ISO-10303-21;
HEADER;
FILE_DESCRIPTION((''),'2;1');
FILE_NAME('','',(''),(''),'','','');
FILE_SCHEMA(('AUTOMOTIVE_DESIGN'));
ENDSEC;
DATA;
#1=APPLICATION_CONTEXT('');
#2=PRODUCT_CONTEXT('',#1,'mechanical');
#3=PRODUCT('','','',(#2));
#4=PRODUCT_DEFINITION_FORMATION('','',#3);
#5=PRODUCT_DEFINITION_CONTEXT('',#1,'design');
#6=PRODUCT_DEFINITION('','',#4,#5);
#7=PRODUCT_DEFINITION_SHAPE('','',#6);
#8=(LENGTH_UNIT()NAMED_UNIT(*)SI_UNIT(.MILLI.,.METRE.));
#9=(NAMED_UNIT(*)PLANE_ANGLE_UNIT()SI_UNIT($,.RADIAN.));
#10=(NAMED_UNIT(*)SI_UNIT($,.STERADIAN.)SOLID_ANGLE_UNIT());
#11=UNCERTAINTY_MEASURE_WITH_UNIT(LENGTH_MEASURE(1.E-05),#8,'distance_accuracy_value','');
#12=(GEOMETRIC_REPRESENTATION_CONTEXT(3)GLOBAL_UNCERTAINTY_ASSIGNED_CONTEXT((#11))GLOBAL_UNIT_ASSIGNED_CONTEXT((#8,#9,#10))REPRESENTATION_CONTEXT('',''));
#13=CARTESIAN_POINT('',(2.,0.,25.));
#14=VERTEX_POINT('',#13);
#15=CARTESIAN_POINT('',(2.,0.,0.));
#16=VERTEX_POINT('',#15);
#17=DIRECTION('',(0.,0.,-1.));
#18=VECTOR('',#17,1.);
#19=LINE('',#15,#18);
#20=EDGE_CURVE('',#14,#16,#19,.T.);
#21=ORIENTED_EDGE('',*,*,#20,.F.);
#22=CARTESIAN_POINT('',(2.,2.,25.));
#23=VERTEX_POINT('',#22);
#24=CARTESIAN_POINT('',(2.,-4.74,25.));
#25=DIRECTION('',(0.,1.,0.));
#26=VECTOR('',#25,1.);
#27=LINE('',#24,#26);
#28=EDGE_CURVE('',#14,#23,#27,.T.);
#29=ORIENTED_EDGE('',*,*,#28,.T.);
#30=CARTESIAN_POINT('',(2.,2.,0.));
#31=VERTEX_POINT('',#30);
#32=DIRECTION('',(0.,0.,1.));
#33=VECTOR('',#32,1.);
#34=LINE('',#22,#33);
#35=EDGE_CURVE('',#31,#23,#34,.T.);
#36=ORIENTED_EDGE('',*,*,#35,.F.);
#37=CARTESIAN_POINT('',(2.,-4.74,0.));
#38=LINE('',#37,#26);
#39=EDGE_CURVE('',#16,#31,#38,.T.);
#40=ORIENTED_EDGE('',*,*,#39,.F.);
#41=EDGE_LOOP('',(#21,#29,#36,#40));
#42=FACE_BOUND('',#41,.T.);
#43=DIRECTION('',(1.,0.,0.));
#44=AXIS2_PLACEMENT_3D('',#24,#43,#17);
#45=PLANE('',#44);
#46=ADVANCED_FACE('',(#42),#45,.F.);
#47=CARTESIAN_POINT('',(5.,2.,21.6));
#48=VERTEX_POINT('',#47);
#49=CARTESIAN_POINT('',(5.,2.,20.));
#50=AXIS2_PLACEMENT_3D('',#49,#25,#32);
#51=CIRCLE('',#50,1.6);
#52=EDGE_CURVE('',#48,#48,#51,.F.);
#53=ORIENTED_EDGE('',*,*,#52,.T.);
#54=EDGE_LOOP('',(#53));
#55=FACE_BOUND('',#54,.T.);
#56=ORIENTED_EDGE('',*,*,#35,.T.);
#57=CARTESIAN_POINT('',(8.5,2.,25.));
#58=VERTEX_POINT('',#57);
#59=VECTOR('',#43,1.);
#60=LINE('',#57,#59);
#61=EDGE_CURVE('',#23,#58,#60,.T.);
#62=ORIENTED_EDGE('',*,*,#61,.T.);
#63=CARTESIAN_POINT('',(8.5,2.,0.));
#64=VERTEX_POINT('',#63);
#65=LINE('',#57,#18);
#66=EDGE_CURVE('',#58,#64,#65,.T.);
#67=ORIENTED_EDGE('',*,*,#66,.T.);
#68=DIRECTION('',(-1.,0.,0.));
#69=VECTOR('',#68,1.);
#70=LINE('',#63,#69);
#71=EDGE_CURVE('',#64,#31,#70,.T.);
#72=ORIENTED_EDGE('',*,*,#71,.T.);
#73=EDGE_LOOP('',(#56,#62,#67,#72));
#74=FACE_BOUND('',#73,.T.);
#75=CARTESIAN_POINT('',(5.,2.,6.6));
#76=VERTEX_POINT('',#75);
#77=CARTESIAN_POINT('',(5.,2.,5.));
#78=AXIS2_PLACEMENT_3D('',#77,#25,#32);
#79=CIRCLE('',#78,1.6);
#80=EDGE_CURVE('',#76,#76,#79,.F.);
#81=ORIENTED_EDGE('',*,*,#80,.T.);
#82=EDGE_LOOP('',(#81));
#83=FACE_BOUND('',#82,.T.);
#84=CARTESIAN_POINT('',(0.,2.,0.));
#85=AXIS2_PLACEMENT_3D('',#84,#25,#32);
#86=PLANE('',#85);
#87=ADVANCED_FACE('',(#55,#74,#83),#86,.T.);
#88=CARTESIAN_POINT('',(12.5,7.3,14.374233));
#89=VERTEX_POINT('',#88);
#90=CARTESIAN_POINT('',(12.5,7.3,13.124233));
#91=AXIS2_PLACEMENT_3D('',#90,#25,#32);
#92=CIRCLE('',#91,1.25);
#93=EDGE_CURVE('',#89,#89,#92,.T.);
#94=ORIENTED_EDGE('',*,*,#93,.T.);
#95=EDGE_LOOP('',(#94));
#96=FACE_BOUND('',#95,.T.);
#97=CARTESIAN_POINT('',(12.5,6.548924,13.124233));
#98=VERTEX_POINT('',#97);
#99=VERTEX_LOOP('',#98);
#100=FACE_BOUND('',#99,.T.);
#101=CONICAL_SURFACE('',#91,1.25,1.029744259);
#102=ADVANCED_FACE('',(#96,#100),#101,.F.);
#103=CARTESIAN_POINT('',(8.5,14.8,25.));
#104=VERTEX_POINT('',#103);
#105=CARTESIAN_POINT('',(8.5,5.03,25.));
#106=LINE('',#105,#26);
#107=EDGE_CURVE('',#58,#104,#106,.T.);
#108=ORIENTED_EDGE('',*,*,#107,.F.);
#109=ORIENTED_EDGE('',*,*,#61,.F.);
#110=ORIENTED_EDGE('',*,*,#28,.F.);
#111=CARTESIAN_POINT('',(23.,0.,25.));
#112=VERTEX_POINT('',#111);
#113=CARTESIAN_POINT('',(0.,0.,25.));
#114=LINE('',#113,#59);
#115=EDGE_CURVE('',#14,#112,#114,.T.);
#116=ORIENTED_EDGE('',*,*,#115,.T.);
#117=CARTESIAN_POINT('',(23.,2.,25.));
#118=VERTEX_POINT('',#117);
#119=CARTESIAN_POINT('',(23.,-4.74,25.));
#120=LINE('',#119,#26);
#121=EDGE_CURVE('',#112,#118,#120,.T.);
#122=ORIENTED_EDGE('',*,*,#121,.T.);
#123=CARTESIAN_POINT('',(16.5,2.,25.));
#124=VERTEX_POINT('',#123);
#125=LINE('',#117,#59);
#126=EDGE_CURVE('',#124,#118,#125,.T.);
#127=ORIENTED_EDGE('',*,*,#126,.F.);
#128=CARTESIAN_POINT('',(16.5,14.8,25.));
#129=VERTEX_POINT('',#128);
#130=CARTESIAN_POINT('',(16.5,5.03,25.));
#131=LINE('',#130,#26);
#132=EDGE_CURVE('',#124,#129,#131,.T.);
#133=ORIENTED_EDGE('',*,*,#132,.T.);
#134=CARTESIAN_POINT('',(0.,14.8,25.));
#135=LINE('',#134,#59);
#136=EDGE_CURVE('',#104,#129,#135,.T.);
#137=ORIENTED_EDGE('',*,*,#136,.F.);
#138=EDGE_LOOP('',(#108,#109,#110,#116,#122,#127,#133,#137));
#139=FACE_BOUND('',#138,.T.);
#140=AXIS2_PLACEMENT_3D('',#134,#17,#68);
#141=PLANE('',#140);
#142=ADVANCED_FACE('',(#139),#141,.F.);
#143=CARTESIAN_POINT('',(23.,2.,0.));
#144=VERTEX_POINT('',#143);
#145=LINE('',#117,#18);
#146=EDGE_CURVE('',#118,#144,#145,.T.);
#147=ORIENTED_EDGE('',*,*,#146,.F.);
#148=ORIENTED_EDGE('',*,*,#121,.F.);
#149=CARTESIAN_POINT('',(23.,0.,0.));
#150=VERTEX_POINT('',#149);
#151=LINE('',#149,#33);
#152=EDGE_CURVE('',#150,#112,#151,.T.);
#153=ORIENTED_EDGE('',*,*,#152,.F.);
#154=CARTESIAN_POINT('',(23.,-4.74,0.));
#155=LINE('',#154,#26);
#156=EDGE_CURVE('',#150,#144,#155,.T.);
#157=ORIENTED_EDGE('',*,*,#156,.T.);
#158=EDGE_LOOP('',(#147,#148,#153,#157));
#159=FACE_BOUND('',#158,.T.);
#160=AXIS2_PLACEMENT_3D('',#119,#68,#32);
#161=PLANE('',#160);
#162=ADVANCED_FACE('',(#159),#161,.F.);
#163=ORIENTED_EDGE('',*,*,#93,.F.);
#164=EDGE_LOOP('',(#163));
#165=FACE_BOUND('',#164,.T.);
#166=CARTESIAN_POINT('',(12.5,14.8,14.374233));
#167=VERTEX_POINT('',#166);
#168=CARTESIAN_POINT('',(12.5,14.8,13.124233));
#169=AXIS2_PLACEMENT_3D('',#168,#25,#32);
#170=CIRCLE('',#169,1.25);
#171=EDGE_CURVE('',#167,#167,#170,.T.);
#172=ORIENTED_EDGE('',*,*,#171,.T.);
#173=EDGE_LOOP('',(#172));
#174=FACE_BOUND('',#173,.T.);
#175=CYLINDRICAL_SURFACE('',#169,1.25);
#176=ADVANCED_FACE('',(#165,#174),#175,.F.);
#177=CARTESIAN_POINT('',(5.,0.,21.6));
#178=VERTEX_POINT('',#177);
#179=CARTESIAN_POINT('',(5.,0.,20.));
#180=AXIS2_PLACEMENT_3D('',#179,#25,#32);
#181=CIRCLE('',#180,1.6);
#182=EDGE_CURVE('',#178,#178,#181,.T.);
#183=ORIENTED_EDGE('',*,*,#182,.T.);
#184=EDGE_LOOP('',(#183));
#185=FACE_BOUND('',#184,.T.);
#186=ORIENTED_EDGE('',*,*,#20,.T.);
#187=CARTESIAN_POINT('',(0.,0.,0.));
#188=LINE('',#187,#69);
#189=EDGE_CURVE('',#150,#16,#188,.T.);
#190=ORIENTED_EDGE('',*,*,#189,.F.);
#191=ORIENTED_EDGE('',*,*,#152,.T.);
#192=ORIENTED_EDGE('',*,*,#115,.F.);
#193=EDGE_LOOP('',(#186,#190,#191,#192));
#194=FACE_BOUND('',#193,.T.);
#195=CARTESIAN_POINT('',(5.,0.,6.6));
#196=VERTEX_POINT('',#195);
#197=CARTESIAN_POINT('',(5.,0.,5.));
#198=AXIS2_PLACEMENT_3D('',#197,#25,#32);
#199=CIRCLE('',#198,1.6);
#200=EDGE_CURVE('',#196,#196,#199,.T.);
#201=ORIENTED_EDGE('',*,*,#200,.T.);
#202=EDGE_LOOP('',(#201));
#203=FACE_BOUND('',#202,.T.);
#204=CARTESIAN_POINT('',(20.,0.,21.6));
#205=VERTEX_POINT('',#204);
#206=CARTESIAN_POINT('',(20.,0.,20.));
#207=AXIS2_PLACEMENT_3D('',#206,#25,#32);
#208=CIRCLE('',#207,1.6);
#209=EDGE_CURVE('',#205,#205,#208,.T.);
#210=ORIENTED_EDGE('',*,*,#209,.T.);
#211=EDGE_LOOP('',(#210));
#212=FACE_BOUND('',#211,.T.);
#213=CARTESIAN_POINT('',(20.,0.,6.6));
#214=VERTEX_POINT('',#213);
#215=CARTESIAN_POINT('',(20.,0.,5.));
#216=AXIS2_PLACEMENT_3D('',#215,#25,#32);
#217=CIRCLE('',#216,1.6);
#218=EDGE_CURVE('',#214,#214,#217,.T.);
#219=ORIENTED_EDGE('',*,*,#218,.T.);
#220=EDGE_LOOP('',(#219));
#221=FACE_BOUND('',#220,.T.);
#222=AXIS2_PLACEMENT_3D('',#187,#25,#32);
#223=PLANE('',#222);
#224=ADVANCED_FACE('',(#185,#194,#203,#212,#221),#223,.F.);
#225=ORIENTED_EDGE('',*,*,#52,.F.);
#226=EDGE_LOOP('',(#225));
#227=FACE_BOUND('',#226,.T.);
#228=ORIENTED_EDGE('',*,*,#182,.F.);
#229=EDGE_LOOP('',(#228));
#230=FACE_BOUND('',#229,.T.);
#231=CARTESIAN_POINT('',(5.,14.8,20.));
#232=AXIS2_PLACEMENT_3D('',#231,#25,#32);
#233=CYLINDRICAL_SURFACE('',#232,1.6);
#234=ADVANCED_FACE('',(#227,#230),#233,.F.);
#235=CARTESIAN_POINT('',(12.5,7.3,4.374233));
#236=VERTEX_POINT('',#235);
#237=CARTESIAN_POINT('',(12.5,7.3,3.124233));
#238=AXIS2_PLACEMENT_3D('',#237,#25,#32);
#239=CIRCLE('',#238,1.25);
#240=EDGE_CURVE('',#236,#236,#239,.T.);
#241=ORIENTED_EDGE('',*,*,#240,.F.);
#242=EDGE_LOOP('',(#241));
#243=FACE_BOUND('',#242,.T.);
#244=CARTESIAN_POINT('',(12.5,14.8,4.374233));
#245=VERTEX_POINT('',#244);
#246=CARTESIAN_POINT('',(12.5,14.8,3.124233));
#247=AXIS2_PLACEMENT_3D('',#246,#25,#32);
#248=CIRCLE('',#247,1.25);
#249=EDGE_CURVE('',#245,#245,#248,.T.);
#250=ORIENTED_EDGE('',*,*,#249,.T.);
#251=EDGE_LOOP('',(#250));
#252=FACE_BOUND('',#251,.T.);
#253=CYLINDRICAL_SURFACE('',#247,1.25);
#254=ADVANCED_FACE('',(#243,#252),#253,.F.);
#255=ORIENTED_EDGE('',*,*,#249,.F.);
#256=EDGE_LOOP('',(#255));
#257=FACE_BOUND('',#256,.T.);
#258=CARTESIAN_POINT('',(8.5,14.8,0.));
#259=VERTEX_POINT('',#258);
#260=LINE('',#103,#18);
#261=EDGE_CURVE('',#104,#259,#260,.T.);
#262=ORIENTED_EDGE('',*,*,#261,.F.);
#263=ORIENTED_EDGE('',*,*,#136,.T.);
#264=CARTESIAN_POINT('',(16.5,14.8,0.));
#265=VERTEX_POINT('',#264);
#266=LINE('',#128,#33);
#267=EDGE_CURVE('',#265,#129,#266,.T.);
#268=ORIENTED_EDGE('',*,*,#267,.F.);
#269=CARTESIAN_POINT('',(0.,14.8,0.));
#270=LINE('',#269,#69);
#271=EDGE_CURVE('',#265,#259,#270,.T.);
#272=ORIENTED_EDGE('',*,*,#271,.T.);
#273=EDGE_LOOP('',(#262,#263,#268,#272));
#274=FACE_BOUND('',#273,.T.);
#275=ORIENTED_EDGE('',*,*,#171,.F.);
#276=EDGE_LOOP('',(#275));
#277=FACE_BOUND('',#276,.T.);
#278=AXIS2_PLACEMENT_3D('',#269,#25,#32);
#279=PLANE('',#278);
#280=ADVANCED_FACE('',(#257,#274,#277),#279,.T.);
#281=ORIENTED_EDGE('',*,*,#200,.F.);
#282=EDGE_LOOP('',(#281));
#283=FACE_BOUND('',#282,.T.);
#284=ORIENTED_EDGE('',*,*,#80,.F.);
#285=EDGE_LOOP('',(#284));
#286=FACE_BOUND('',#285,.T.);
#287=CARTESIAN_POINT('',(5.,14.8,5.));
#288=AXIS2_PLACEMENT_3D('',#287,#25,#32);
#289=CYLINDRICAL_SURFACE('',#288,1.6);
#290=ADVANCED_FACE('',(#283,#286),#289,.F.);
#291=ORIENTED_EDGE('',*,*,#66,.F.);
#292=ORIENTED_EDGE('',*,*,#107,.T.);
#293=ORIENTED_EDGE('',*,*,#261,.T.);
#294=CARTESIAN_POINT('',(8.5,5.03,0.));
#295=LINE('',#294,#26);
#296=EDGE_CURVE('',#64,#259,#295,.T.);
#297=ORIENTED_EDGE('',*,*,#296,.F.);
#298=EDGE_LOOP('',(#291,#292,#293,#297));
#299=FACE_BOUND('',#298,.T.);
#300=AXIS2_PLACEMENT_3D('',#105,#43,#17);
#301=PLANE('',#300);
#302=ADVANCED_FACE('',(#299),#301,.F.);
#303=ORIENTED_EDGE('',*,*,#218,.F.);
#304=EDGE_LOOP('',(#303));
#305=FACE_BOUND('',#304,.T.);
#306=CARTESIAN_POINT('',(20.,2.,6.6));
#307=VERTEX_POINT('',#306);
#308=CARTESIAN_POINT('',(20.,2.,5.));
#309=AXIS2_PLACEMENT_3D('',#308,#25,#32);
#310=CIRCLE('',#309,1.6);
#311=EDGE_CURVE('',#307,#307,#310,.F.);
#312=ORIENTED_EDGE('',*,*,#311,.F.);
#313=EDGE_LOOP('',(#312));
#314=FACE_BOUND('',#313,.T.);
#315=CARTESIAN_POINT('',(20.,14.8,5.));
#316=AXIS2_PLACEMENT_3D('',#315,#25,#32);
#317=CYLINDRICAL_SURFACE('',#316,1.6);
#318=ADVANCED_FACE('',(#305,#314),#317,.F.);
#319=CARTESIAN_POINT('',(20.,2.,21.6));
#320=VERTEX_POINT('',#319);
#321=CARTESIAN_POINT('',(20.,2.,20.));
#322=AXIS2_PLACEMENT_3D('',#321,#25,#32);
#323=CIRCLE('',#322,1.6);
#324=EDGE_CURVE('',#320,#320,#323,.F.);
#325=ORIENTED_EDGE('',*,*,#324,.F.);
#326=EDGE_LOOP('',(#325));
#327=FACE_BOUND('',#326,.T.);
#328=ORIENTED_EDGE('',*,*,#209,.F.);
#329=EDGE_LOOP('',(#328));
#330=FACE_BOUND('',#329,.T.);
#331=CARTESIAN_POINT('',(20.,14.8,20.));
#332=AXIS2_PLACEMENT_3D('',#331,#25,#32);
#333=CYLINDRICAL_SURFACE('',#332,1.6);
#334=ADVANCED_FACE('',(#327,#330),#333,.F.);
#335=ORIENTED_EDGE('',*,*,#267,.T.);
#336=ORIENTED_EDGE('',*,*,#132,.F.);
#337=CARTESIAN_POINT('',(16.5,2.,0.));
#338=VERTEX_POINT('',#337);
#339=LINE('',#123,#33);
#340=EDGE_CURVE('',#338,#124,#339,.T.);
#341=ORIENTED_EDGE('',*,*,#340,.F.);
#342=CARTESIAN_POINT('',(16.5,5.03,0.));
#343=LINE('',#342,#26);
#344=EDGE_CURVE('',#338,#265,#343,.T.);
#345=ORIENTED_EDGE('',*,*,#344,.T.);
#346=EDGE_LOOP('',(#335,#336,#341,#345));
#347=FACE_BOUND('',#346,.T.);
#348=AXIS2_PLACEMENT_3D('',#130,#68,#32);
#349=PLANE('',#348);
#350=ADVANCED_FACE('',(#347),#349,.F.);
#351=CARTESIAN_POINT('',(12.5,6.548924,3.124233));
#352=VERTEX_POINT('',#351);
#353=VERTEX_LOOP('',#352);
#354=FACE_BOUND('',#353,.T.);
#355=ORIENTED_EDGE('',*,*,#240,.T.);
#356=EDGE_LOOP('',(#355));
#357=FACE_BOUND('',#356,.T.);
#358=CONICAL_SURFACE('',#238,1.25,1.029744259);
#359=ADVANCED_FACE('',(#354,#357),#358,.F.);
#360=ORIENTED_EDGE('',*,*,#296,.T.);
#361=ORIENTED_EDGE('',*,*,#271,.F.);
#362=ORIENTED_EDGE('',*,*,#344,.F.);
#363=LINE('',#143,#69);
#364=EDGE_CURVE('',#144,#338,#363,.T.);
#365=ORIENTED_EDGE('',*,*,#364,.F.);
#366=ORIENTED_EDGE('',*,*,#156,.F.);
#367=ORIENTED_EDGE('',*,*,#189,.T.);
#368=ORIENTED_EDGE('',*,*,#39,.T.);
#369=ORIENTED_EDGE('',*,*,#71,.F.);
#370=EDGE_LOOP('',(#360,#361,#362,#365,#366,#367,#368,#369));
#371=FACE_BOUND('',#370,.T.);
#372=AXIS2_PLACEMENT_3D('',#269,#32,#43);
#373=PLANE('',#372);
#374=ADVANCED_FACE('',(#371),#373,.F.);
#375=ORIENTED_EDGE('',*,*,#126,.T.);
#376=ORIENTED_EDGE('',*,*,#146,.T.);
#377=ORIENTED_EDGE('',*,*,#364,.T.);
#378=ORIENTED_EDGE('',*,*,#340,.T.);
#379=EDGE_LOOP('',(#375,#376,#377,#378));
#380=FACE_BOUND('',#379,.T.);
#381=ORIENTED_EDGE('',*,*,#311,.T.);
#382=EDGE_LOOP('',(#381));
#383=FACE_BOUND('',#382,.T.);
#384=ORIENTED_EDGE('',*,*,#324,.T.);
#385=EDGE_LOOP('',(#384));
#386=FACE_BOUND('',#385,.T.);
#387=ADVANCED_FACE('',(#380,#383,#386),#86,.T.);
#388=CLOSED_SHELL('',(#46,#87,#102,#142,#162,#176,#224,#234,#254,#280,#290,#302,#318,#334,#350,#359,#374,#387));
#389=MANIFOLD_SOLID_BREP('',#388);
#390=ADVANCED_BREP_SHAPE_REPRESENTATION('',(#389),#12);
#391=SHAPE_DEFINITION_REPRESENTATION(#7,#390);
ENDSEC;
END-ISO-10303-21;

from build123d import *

# Parameters (mm, degrees)
SKETCH1_W                 = 25
SKETCH1_H                 = 25
BOSS_EXTRUDE1_DEPTH       = 14.8
M3_CLEARANCE_HOLE1_D      = 3.2
M3X0_5_TAPPED_HOLE2_D     = 2.5
M3X0_5_TAPPED_HOLE2_DEPTH = 7.5
M3X0_5_TAPPED_HOLE2_TIP   = 0.751075774
SKETCH8_W                 = 8.5
SKETCH8_H                 = 25
CUT_EXTRUDE1_DEPTH        = 9.77
SKETCH9_W                 = 8.5
SKETCH9_H                 = 25
CUT_EXTRUDE2_DEPTH        = 9.77
SKETCH10_W                = 2
SKETCH10_H                = 25
CUT_EXTRUDE3_DEPTH        = 9.77
SKETCH11_W                = 2
SKETCH11_H                = 25
CUT_EXTRUDE4_DEPTH        = 9.77
SKETCH16_W                = 6.5
SKETCH16_H                = 25
CUT_EXTRUDE6_DEPTH        = 3.03
SKETCH17_W                = 6.5
SKETCH17_H                = 25
CUT_EXTRUDE7_DEPTH        = 3.03


with BuildPart() as part:
    # Sketch1 → Boss-Extrude1 (new body)
    with BuildSketch(Plane(origin=(0, 0, 0), x_dir=(1, 0, 0), z_dir=(0, 1, 0))):
        with Locations((12.5, -12.5)):
            Rectangle(SKETCH1_W, SKETCH1_H)
    extrude(amount=BOSS_EXTRUDE1_DEPTH)

    # M3 Clearance Hole1 (through all)
    with Locations(Plane(origin=(5, 14.8, 5), x_dir=(0, 0, 1), z_dir=(0, 1, 0))):
        with Locations((0, 0), (0, 15), (15, 15), (15, 0)):
            Hole(M3_CLEARANCE_HOLE1_D / 2)

    # M3x0.5 Tapped Hole2
    with Locations(Plane(origin=(12.5, 14.8, 3.124233191), x_dir=(0, 0, 1), z_dir=(0, 1, 0))):
        with Locations((0, 0), (10, 0)):
            Hole(M3X0_5_TAPPED_HOLE2_D / 2, depth=M3X0_5_TAPPED_HOLE2_DEPTH)
            with Locations((0, 0, -(M3X0_5_TAPPED_HOLE2_DEPTH + M3X0_5_TAPPED_HOLE2_TIP / 2))):  # 118° drill point
                Cone(0, M3X0_5_TAPPED_HOLE2_D / 2, M3X0_5_TAPPED_HOLE2_TIP, mode=Mode.SUBTRACT)

    # Sketch8 → Cut-Extrude1 (cut)
    with BuildSketch(Plane(origin=(0, 14.8, 0), x_dir=(1, 0, 0), z_dir=(0, 1, 0))):
        with Locations((4.25, -12.5)):
            Rectangle(SKETCH8_W, SKETCH8_H)
    extrude(amount=-CUT_EXTRUDE1_DEPTH, mode=Mode.SUBTRACT)

    # Sketch9 → Cut-Extrude2 (cut)
    with BuildSketch(Plane(origin=(0, 14.8, 0), x_dir=(1, 0, 0), z_dir=(0, 1, 0))):
        with Locations((20.75, -12.5)):
            Rectangle(SKETCH9_W, SKETCH9_H)
    extrude(amount=-CUT_EXTRUDE2_DEPTH, mode=Mode.SUBTRACT)

    # Sketch10 → Cut-Extrude3 (cut)
    with BuildSketch(Plane(origin=(0, 5.03, 0), x_dir=(1, 0, 0), z_dir=(0, 1, 0))):
        with Locations((1, -12.5)):
            Rectangle(SKETCH10_W, SKETCH10_H)
    extrude(amount=-CUT_EXTRUDE3_DEPTH, mode=Mode.SUBTRACT)

    # Sketch11 → Cut-Extrude4 (cut)
    with BuildSketch(Plane(origin=(0, 5.03, 0), x_dir=(1, 0, 0), z_dir=(0, 1, 0))):
        with Locations((24, -12.5)):
            Rectangle(SKETCH11_W, SKETCH11_H)
    extrude(amount=-CUT_EXTRUDE4_DEPTH, mode=Mode.SUBTRACT)

    # Sketch16 → Cut-Extrude6 (cut)
    with BuildSketch(Plane(origin=(0, 5.03, 0), x_dir=(1, 0, 0), z_dir=(0, 1, 0))):
        with Locations((5.25, -12.5)):
            Rectangle(SKETCH16_W, SKETCH16_H)
    extrude(amount=-CUT_EXTRUDE6_DEPTH, mode=Mode.SUBTRACT)

    # Sketch17 → Cut-Extrude7 (cut)
    with BuildSketch(Plane(origin=(0, 5.03, 0), x_dir=(1, 0, 0), z_dir=(0, 1, 0))):
        with Locations((19.75, -12.5)):
            Rectangle(SKETCH17_W, SKETCH17_H)
    extrude(amount=-CUT_EXTRUDE7_DEPTH, mode=Mode.SUBTRACT)


solid = part.part
